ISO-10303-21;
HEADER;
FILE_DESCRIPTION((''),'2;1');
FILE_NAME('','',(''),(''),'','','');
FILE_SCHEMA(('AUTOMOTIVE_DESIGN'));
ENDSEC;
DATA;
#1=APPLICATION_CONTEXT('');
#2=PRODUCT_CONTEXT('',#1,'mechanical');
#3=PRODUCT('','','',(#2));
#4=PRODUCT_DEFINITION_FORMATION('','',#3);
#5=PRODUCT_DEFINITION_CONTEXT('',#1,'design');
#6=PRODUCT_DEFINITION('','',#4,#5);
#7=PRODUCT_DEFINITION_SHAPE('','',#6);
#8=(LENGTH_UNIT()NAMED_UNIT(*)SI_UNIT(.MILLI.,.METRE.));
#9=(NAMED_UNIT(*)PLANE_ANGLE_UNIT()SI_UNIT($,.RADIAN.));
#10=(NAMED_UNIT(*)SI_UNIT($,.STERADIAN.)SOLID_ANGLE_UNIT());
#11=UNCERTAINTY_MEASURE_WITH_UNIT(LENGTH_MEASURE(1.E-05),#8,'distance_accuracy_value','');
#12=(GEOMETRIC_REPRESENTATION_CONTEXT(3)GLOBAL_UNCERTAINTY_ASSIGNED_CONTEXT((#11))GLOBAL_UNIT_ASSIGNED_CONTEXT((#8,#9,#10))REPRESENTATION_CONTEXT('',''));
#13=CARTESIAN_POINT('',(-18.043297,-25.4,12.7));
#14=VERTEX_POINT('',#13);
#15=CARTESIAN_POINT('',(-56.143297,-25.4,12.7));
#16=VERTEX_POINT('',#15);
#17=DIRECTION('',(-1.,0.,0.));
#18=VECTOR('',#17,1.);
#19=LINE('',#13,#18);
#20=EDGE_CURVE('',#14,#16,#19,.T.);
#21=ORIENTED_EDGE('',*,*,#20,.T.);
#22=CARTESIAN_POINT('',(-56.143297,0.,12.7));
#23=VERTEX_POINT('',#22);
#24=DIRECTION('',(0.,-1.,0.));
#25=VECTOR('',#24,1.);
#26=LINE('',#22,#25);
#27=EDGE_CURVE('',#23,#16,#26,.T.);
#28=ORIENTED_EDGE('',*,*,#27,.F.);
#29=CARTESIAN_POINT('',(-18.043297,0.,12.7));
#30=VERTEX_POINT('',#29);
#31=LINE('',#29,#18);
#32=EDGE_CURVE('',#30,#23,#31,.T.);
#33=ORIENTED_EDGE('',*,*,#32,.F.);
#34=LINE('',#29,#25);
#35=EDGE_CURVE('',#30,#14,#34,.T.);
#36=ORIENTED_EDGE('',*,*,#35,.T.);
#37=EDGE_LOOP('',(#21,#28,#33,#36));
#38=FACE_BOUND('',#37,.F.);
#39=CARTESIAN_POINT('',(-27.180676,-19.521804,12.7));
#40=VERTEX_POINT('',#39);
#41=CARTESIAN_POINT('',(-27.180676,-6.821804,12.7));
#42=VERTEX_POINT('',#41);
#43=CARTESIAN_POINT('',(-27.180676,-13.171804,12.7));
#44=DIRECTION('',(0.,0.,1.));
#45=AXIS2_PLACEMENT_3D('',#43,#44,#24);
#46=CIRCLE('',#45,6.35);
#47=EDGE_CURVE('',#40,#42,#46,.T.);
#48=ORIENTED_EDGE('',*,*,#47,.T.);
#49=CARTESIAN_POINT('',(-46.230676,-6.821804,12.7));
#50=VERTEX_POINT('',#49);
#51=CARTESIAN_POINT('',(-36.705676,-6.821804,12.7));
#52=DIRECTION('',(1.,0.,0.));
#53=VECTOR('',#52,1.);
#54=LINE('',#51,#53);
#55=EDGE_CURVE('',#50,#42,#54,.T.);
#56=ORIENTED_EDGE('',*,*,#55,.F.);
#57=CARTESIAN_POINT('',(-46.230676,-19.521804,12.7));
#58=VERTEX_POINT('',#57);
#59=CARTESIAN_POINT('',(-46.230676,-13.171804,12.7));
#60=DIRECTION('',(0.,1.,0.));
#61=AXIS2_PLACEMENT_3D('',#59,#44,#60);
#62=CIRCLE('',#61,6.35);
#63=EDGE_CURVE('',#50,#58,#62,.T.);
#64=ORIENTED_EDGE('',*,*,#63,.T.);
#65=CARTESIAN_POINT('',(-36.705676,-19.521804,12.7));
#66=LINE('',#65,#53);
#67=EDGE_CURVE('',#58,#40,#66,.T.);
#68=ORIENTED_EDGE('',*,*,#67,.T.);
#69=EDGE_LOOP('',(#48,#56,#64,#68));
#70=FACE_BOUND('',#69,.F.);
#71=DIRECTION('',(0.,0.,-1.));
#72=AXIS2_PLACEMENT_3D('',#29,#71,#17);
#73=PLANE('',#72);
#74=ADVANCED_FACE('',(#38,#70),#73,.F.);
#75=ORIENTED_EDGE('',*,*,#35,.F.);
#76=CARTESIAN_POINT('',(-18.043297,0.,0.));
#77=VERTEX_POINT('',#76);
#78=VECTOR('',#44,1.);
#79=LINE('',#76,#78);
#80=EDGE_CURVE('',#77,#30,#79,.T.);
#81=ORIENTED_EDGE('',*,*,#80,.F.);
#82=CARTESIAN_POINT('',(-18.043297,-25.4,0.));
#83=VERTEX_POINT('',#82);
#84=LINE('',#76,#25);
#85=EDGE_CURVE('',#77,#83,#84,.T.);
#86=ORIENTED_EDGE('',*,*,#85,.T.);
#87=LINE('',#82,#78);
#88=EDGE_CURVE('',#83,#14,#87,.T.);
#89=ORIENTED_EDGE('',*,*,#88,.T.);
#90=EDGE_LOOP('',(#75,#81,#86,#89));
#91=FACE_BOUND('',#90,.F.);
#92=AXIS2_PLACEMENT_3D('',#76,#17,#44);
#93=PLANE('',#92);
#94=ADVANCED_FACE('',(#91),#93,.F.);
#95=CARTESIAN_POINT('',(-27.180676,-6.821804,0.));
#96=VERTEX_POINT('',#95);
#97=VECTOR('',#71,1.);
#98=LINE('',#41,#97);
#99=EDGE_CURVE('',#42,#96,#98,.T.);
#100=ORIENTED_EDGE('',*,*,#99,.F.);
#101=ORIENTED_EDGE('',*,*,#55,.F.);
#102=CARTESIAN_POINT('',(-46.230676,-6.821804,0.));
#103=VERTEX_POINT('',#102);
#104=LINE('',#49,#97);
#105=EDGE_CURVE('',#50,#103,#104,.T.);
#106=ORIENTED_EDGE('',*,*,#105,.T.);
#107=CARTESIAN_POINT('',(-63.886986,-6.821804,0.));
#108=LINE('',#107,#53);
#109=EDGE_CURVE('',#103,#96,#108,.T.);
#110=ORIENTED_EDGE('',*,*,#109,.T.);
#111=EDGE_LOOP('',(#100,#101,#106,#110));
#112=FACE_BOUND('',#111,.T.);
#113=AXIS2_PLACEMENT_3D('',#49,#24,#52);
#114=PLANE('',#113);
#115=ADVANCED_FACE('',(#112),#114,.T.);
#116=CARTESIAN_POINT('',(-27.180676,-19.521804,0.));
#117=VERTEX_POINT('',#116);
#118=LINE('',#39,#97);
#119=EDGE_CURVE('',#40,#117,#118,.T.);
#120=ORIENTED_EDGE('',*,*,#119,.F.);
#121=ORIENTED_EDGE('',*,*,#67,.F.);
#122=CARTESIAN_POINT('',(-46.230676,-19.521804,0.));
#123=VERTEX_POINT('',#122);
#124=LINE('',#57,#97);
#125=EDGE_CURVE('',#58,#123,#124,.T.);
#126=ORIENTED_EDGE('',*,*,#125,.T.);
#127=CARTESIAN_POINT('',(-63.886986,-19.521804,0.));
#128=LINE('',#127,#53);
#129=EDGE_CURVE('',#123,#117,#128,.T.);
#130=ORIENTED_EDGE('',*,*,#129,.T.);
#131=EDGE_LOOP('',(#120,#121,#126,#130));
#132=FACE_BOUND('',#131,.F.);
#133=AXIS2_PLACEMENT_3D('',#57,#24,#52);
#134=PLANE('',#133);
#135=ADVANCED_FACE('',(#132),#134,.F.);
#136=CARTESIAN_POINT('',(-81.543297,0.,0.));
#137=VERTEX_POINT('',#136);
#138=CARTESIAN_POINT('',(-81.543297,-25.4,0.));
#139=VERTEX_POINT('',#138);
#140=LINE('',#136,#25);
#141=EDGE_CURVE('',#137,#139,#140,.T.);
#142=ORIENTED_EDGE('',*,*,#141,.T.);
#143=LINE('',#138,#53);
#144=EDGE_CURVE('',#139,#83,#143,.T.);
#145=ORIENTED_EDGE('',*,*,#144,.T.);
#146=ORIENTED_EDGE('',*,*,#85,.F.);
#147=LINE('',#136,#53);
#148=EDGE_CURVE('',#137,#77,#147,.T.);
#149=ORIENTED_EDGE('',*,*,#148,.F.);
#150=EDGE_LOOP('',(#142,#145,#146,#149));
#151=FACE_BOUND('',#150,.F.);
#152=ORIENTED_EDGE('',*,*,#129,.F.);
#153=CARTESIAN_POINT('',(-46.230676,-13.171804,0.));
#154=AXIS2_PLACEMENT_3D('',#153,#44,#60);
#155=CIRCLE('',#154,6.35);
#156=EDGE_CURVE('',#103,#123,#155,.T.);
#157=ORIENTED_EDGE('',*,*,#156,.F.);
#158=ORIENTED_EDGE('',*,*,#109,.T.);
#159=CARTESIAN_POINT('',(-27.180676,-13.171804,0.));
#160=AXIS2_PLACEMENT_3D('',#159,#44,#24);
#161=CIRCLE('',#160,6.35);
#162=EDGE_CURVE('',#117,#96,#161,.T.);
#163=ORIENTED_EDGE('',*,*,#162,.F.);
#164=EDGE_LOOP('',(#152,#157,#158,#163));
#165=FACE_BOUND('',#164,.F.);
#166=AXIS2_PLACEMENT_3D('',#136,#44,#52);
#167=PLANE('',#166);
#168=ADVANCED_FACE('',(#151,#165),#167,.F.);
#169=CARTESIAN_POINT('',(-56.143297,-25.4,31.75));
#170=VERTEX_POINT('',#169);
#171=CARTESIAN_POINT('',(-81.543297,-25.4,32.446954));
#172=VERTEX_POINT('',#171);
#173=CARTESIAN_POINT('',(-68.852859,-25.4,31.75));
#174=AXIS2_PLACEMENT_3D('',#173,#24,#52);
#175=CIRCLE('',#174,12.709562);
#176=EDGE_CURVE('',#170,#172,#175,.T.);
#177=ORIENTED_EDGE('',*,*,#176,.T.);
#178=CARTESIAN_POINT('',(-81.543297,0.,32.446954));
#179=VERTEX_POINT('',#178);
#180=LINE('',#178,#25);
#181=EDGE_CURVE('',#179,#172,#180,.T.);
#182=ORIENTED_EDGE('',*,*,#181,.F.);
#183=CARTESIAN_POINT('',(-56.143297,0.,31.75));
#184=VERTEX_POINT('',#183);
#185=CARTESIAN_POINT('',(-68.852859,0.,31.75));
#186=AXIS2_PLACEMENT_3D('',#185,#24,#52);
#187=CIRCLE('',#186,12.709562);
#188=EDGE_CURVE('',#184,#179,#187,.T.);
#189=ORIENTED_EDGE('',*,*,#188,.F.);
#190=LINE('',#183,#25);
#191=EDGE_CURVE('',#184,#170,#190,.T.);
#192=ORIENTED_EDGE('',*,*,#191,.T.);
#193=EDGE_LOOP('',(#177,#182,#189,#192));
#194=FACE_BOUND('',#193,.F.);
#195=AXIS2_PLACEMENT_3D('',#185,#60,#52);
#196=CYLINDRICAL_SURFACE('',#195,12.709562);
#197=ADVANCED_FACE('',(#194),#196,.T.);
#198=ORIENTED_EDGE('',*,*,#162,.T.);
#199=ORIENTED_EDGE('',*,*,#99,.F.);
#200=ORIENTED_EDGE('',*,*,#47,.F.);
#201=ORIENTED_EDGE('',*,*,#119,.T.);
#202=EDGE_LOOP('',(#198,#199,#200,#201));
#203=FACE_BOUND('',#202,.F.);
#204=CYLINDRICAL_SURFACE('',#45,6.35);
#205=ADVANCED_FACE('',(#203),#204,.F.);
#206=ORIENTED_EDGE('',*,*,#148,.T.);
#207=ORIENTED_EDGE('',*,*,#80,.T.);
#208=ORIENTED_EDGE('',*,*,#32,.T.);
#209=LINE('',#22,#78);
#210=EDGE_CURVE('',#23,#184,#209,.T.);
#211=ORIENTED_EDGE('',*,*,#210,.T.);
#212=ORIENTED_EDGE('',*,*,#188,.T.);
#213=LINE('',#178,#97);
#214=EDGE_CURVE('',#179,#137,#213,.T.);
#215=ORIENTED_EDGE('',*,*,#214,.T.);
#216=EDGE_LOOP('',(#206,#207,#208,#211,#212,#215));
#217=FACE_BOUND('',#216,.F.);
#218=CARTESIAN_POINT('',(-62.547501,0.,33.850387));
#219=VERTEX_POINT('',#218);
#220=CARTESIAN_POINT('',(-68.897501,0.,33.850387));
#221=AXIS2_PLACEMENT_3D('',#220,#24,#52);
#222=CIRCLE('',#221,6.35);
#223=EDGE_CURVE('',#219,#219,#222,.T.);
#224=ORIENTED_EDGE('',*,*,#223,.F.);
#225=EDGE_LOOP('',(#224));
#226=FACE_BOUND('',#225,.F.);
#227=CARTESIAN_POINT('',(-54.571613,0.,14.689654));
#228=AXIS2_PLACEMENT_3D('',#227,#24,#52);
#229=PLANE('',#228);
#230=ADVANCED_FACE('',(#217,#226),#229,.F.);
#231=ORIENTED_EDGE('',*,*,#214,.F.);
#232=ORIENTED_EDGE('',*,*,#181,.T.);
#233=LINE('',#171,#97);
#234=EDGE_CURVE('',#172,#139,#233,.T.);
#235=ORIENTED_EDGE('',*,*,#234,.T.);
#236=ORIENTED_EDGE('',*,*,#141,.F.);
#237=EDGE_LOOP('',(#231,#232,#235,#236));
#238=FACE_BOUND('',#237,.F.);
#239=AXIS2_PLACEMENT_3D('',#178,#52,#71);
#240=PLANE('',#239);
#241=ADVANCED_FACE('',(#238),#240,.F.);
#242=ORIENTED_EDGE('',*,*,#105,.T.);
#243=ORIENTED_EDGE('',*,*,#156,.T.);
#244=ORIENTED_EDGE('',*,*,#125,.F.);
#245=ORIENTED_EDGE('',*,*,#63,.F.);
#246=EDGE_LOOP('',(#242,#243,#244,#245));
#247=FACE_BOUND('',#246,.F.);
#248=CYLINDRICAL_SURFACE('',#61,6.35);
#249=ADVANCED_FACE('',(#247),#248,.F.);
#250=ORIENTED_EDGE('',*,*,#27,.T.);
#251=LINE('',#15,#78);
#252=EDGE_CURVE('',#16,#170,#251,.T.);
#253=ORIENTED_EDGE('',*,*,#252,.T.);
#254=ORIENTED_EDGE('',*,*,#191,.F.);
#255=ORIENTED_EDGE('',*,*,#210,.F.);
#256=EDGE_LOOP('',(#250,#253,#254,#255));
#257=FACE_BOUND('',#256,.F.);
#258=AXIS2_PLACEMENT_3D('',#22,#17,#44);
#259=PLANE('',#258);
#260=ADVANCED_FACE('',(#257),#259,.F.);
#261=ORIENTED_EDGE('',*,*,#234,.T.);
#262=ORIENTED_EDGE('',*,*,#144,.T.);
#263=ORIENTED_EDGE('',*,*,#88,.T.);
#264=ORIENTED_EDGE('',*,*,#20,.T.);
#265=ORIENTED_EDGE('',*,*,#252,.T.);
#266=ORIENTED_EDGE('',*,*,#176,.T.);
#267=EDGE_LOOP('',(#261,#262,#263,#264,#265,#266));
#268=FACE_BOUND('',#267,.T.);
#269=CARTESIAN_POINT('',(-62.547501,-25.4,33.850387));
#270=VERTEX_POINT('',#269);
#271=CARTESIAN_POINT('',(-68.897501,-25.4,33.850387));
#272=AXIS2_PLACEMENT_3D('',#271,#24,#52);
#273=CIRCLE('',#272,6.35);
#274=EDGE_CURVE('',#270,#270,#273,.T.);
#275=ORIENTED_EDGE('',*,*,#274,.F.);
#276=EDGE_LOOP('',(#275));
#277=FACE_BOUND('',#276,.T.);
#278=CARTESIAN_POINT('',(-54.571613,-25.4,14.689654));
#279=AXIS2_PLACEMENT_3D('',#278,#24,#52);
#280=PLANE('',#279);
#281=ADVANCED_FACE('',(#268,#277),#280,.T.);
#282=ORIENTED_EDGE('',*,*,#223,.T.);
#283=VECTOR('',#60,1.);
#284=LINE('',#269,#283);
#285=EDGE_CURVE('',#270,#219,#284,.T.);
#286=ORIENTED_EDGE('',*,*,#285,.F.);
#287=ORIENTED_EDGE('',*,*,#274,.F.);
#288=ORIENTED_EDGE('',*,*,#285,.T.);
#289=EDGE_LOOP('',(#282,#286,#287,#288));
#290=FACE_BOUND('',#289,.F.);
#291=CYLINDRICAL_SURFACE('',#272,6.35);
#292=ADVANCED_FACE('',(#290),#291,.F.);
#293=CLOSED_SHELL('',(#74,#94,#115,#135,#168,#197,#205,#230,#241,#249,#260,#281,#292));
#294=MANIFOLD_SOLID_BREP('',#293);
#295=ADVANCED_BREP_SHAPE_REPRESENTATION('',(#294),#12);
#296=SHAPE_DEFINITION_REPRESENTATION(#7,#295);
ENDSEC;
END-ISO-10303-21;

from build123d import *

# Parameters (mm, degrees)
F1_DEPTH = 25.4
F2_R     = 6.35
F3_DEPTH = 25.401
F4_W     = 19.05
F4_H     = 12.7
F5_DEPTH = 12.701
F7_DEPTH = 12.701
F9_DEPTH = 12.701


with BuildPart() as f1:
    # F0 (on Front) → F1 (new body)
    with BuildSketch(Plane.XZ):
        with BuildLine():
            ThreePointArc((-56.1432969581, 31.75), (-68.5042506108, 44.4547800567), (-81.5432969581, 32.4469541982))
            Line((-81.5432969581, 32.4469541982), (-81.5432969581, 0))
            Line((-81.5432969581, 0), (-18.0432969581, 0))
            Line((-18.0432969581, 0), (-18.0432969581, 12.7))
            Line((-18.0432969581, 12.7), (-56.1432969581, 12.7))
            Line((-56.1432969581, 12.7), (-56.1432969581, 31.75))
        make_face()
    extrude(amount=F1_DEPTH)

    # F2 (on face) → F3 (cut, through all)
    with BuildSketch(Plane.XZ.offset(25.4)):
        with Locations((-68.8975006342, 33.8503867388)):
            Circle(F2_R)
    extrude(amount=-F3_DEPTH, mode=Mode.SUBTRACT)

    # F4 (on face) → F5 (cut, through all)
    with BuildSketch(Plane.XY.offset(12.7)):
        with Locations((-36.7056755349, -13.1718035824)):
            Rectangle(F4_W, F4_H)
    extrude(amount=-F5_DEPTH, mode=Mode.SUBTRACT)

    # F6 (on face) → F7 (cut, through all)
    with BuildSketch(Plane.XY.offset(12.7)):
        with BuildLine():
            Line((-46.2306755349, -19.5218035824), (-46.2306755349, -6.8218035824))
            ThreePointArc((-46.2306755349, -6.8218035824), (-52.5806755349, -13.1718035824), (-46.2306755349, -19.5218035824))
        make_face()
    extrude(amount=-F7_DEPTH, mode=Mode.SUBTRACT)

    # F8 (on face) → F9 (cut, through all)
    with BuildSketch(Plane.XY.offset(12.7)):
        with BuildLine():
            Line((-27.1806755349, -6.8218035824), (-27.1806755349, -19.5218035824))
            ThreePointArc((-27.1806755349, -19.5218035824), (-20.8306755349, -13.1718035824), (-27.1806755349, -6.8218035824))
        make_face()
    extrude(amount=-F9_DEPTH, mode=Mode.SUBTRACT)


solid = f1.part
